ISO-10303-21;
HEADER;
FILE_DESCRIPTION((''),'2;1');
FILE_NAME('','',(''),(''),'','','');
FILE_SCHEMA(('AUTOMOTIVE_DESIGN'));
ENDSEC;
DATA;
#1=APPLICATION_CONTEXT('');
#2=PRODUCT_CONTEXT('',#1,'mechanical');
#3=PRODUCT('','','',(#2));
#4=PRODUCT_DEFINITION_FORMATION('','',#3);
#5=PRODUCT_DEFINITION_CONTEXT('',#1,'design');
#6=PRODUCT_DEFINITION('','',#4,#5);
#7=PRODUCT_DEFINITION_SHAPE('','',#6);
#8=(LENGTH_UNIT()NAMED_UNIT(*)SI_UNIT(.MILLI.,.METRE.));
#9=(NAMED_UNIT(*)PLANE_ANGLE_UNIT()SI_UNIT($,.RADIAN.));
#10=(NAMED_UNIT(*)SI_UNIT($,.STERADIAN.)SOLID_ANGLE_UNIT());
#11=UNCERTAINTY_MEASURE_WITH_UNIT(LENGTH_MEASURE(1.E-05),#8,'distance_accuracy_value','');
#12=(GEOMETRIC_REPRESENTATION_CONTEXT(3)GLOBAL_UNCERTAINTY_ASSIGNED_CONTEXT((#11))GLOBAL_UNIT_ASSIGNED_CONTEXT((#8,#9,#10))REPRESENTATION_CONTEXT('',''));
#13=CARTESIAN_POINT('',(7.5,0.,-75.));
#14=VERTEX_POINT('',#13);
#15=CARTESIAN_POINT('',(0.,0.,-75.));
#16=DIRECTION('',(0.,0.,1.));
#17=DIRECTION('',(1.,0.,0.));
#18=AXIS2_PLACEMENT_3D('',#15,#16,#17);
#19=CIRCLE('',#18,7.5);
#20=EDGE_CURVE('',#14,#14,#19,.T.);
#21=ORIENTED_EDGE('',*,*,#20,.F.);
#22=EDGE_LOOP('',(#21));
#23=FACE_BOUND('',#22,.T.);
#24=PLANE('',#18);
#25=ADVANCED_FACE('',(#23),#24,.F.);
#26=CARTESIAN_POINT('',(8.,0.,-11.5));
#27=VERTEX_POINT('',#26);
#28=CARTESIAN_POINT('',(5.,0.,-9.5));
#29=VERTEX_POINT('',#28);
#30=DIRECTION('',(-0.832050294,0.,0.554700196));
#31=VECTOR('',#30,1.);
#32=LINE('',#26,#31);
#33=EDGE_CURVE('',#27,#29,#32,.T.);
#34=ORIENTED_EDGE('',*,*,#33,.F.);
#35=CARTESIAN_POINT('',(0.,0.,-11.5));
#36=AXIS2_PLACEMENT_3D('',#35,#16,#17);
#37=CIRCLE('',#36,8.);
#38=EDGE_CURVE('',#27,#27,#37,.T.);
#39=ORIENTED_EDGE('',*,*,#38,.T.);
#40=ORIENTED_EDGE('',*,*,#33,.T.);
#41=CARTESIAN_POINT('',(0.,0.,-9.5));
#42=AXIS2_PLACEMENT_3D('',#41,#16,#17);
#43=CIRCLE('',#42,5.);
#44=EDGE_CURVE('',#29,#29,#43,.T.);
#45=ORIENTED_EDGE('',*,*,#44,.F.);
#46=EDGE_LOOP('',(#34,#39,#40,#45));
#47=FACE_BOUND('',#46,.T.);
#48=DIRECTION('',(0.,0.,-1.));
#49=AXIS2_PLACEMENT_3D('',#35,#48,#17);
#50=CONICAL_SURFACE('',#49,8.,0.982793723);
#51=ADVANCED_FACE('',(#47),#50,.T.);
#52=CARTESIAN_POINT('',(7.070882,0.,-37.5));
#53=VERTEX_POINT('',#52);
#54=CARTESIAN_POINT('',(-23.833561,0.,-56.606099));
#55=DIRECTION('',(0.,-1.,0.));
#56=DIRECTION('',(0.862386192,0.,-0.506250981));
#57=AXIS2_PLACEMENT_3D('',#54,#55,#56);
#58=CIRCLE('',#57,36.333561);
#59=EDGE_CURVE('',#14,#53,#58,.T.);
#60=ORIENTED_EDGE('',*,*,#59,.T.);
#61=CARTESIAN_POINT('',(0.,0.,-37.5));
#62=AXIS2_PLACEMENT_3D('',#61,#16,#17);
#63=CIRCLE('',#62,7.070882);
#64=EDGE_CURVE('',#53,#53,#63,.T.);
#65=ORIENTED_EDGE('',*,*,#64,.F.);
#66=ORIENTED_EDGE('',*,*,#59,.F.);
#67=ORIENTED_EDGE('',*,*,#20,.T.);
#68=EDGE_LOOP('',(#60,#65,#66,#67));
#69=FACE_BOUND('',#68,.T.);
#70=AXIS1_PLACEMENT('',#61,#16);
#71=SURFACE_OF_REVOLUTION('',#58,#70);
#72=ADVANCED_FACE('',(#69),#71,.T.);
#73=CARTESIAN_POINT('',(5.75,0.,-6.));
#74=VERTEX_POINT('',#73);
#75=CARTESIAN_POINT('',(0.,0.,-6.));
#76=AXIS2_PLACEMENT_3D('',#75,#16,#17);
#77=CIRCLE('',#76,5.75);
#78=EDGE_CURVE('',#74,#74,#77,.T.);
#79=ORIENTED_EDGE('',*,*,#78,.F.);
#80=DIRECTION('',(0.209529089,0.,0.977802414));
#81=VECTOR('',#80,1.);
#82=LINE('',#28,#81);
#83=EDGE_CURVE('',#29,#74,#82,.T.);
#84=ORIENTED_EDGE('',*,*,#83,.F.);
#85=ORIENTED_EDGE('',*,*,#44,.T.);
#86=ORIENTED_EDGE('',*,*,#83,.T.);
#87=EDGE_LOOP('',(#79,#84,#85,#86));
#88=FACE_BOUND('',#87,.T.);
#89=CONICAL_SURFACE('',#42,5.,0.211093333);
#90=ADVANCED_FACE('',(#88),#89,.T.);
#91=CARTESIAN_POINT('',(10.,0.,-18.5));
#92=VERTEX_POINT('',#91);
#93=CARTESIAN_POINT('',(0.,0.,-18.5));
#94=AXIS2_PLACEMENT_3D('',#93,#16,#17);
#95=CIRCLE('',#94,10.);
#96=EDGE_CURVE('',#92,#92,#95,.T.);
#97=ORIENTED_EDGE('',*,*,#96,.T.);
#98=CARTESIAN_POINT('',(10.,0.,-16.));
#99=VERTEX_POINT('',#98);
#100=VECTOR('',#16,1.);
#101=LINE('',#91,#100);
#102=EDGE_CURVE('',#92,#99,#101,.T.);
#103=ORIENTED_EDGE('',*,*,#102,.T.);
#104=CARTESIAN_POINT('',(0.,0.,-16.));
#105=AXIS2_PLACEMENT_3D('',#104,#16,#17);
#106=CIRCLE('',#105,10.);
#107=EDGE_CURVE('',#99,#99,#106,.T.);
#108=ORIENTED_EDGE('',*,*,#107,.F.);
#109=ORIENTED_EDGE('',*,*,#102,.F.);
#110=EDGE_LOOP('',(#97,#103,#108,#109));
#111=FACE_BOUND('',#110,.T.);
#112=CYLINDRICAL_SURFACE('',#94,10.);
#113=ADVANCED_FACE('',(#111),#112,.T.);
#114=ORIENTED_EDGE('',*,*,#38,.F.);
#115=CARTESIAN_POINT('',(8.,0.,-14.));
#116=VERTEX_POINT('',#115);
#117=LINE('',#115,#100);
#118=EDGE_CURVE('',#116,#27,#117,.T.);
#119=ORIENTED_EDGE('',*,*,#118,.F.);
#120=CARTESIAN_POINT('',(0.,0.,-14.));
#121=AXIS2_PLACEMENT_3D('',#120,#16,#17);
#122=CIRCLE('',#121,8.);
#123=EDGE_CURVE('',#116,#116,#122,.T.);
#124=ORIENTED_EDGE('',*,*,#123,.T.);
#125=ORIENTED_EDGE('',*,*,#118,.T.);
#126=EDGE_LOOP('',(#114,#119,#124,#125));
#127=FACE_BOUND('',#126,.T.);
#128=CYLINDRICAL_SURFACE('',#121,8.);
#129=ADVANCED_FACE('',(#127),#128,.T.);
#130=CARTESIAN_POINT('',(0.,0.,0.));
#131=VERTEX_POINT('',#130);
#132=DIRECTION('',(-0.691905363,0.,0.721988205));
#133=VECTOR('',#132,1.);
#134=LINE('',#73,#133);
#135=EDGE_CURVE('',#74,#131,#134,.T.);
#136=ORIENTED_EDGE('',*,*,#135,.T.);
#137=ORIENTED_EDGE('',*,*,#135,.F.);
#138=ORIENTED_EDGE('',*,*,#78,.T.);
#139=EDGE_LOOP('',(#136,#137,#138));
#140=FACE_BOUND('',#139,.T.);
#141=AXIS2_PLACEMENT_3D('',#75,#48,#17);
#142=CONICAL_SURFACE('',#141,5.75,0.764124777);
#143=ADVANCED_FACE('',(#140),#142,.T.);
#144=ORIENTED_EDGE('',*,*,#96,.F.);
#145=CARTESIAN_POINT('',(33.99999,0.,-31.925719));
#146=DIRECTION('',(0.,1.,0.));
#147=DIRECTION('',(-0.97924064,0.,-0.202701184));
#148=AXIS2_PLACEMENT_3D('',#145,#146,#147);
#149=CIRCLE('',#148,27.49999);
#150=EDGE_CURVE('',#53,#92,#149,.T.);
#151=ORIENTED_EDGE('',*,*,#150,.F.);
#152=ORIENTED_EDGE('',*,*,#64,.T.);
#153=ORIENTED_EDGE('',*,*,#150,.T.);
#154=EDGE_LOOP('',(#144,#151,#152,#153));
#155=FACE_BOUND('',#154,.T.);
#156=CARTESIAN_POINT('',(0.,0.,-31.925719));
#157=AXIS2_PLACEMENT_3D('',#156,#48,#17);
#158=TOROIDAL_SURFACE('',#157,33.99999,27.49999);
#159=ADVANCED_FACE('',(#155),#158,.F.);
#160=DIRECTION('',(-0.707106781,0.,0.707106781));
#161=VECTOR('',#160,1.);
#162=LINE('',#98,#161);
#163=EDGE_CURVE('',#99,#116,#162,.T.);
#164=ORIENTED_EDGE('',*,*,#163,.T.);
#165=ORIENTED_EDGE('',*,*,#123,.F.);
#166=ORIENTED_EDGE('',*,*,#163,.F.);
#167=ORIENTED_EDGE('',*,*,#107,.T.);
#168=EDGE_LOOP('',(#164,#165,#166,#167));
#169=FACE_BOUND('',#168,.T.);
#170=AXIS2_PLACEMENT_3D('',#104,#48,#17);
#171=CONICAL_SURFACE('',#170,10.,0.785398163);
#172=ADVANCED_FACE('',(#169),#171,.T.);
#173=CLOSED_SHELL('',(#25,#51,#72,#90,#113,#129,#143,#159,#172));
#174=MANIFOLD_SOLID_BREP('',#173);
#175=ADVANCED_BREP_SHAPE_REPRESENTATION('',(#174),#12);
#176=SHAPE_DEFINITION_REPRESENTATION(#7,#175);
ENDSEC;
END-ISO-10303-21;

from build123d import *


with BuildPart() as f1:
    # F0 (on Front) → F1 (revolve)
    with BuildSketch(Plane.XZ):
        with BuildLine():
            Line((0, -75), (7.5, -75))
            ThreePointArc((7.5, -75), (12.497621, -56.190356), (7.070882, -37.5))
            ThreePointArc((7.070882, -37.5), (6.821078, -27.735707), (10, -18.5))
            Line((10, -18.5), (10, -16))
            Line((10, -16), (8, -14))
            Line((8, -14), (8, -11.5))
            Line((8, -11.5), (5, -9.5))
            Line((5, -9.5), (5.75, -6))
            Line((5.75, -6), (0, 0))
            Line((0, 0), (0, -75))
        make_face()
    revolve(axis=Axis((0, 0, -37.5), (0, 0, 1)))


solid = f1.part
